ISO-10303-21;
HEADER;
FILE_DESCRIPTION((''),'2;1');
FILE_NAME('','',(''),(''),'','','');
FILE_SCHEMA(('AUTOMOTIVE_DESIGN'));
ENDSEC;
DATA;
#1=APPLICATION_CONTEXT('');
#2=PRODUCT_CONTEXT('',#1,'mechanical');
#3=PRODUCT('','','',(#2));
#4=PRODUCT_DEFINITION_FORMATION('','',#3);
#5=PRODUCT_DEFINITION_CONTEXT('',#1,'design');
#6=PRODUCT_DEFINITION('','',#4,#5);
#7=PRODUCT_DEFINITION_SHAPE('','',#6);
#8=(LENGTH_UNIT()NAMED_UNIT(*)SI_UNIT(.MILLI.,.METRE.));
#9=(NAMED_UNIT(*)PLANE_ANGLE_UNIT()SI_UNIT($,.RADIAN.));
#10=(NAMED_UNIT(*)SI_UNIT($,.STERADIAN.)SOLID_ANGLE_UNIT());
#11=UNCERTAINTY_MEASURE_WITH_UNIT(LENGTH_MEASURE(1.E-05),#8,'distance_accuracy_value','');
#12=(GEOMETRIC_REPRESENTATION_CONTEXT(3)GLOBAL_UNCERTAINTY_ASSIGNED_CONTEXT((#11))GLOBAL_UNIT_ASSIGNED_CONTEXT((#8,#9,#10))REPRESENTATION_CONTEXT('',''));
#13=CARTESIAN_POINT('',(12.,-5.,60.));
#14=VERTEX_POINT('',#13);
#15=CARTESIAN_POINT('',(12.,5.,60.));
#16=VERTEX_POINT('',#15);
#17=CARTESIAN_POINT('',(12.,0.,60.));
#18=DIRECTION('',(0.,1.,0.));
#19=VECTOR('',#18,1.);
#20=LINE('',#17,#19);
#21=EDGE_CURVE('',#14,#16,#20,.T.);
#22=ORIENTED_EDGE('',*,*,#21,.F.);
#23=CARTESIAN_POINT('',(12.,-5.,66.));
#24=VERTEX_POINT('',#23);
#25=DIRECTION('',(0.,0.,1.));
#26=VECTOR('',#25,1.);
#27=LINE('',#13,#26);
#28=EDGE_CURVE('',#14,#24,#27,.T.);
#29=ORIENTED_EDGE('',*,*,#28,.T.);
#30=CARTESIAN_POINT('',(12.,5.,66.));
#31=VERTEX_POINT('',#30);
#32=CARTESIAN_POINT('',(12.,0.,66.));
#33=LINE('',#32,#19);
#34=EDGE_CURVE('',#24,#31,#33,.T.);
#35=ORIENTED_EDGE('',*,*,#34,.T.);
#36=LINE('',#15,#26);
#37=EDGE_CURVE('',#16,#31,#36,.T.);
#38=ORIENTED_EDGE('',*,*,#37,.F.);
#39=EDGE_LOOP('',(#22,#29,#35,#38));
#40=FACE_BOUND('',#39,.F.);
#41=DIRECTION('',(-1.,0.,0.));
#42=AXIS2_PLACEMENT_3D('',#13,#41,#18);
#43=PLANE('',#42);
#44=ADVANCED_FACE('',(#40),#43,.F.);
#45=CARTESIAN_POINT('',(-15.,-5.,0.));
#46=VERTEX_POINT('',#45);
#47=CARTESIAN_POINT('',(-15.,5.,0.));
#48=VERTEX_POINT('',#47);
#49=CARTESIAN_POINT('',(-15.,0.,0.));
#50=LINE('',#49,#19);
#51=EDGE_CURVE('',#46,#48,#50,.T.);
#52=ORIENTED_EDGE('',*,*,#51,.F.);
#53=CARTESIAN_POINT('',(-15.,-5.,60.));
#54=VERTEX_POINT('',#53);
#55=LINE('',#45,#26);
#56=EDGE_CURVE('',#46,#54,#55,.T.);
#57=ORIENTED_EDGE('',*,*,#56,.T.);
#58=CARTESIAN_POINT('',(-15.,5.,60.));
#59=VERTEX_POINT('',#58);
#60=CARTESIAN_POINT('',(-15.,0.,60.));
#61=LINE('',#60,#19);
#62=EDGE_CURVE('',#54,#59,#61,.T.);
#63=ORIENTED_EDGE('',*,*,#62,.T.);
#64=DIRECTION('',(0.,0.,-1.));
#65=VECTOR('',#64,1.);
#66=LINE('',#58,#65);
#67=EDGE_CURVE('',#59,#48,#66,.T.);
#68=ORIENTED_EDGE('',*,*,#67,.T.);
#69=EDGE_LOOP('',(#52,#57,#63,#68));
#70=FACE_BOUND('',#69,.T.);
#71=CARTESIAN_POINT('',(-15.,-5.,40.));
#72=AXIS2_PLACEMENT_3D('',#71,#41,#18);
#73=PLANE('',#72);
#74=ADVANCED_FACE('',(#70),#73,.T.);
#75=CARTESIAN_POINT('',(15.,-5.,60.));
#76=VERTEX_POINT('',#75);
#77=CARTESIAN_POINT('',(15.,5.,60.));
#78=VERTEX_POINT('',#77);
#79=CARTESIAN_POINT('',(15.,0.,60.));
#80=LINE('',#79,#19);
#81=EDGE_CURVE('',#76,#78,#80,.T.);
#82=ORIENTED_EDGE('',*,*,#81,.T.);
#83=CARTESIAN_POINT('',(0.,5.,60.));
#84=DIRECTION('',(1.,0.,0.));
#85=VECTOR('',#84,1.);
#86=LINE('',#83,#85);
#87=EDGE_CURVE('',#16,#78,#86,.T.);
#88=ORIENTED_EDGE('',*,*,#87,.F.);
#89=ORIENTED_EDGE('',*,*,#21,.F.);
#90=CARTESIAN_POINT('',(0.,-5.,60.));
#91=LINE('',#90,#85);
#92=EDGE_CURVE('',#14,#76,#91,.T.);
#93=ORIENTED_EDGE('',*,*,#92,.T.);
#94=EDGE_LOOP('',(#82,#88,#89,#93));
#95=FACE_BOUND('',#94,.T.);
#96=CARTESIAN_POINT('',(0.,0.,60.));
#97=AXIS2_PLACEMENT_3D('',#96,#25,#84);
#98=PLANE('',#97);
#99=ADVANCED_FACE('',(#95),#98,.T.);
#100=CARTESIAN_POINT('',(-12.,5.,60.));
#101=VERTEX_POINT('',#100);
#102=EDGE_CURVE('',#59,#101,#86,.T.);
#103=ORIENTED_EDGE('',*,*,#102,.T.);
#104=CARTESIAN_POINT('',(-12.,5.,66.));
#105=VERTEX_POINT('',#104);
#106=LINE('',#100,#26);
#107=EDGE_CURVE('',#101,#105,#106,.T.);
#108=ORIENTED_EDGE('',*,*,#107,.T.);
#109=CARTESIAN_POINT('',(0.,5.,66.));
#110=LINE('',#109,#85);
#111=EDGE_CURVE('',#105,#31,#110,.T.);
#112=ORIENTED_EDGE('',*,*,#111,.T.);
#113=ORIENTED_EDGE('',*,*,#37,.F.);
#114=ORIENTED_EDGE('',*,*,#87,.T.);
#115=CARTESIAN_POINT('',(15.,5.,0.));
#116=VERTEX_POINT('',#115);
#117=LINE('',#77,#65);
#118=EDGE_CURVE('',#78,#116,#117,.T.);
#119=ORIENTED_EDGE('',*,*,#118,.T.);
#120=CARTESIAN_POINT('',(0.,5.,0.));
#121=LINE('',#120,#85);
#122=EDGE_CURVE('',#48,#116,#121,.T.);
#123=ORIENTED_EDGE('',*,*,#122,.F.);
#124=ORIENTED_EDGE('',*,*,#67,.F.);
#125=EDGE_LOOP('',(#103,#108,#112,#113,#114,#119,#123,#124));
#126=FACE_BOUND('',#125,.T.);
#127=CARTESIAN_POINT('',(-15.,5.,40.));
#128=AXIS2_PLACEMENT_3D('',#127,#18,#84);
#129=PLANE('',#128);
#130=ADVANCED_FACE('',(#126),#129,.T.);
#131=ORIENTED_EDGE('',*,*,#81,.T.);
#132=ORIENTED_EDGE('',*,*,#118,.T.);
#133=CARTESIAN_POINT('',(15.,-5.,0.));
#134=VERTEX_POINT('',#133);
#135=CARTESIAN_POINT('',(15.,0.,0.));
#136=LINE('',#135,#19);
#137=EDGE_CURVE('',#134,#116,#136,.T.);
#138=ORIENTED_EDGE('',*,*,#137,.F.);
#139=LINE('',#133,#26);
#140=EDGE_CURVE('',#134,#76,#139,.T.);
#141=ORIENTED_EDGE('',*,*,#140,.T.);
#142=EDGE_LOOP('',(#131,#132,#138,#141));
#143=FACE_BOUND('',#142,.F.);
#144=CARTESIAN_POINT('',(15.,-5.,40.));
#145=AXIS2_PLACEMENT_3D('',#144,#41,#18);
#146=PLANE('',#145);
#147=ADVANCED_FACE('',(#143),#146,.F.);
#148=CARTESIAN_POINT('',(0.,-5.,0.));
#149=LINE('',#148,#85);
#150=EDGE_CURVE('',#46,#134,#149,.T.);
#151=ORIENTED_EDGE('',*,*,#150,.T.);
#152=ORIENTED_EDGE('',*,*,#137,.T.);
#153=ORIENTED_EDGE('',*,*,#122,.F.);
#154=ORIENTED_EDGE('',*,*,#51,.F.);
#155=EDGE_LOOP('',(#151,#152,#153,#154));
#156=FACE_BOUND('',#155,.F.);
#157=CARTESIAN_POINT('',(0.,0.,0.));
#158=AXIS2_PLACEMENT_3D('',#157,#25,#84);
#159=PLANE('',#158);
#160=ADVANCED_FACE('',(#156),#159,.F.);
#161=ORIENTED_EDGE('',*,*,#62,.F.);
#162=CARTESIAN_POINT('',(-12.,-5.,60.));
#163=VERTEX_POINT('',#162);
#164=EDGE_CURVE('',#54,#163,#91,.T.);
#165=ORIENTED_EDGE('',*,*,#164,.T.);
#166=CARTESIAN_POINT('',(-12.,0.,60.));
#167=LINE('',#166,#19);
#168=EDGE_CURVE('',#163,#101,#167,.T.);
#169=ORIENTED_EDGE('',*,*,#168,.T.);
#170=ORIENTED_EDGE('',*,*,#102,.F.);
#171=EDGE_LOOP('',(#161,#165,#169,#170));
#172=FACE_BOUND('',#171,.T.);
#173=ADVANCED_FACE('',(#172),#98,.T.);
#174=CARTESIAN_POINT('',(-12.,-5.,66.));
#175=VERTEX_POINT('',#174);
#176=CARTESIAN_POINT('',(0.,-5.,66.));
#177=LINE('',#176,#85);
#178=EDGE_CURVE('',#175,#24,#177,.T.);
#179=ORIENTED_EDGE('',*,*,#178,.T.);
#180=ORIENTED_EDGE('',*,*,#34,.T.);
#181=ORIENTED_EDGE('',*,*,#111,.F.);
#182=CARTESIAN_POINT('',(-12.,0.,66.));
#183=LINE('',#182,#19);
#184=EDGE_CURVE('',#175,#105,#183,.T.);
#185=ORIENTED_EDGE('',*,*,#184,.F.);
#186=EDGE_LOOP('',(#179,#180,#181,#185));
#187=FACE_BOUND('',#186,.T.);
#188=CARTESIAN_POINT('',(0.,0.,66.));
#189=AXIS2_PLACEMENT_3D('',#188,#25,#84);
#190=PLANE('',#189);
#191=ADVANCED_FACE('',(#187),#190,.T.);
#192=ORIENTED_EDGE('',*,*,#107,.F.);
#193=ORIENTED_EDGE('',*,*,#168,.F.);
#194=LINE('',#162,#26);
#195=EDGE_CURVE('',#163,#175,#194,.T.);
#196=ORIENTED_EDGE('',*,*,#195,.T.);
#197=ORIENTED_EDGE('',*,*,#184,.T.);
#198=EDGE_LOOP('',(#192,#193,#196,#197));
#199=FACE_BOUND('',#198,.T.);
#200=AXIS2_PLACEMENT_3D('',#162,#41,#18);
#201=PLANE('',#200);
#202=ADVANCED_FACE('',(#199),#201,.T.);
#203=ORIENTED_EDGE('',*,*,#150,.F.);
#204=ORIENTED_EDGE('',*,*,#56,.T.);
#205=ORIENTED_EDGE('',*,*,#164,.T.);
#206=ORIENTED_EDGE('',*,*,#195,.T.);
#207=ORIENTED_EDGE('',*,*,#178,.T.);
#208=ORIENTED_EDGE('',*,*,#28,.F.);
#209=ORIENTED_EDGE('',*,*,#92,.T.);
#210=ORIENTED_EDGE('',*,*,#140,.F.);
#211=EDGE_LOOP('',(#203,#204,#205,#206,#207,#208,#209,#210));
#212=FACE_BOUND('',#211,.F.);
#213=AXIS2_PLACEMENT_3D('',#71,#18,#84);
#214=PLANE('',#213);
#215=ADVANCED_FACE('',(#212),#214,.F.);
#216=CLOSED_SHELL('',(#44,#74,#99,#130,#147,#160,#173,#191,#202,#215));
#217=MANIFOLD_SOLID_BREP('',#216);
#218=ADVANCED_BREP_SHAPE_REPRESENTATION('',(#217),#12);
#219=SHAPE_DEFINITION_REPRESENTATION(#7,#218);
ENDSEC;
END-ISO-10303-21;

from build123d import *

# Parameters (mm, degrees)
F0_W     = 30
F0_H     = 10
F1_DEPTH = 40
F2_W     = 30
F2_H     = 10
F3_DEPTH = 20
F4_W     = 24
F4_H     = 10
F5_DEPTH = 6


with BuildPart() as f1:
    # F0 (on Top) → F1 (new body)
    with BuildSketch(Plane.XY):
        Rectangle(F0_W, F0_H)
    extrude(amount=F1_DEPTH)

    # F2 (on face) → F3 (join)
    with BuildSketch(Plane.XY.offset(40)):
        Rectangle(F2_W, F2_H)
    extrude(amount=F3_DEPTH)

    # F4 (on face) → F5 (join)
    with BuildSketch(Plane.XY.offset(60)):
        Rectangle(F4_W, F4_H)
    extrude(amount=F5_DEPTH)


solid = f1.part
